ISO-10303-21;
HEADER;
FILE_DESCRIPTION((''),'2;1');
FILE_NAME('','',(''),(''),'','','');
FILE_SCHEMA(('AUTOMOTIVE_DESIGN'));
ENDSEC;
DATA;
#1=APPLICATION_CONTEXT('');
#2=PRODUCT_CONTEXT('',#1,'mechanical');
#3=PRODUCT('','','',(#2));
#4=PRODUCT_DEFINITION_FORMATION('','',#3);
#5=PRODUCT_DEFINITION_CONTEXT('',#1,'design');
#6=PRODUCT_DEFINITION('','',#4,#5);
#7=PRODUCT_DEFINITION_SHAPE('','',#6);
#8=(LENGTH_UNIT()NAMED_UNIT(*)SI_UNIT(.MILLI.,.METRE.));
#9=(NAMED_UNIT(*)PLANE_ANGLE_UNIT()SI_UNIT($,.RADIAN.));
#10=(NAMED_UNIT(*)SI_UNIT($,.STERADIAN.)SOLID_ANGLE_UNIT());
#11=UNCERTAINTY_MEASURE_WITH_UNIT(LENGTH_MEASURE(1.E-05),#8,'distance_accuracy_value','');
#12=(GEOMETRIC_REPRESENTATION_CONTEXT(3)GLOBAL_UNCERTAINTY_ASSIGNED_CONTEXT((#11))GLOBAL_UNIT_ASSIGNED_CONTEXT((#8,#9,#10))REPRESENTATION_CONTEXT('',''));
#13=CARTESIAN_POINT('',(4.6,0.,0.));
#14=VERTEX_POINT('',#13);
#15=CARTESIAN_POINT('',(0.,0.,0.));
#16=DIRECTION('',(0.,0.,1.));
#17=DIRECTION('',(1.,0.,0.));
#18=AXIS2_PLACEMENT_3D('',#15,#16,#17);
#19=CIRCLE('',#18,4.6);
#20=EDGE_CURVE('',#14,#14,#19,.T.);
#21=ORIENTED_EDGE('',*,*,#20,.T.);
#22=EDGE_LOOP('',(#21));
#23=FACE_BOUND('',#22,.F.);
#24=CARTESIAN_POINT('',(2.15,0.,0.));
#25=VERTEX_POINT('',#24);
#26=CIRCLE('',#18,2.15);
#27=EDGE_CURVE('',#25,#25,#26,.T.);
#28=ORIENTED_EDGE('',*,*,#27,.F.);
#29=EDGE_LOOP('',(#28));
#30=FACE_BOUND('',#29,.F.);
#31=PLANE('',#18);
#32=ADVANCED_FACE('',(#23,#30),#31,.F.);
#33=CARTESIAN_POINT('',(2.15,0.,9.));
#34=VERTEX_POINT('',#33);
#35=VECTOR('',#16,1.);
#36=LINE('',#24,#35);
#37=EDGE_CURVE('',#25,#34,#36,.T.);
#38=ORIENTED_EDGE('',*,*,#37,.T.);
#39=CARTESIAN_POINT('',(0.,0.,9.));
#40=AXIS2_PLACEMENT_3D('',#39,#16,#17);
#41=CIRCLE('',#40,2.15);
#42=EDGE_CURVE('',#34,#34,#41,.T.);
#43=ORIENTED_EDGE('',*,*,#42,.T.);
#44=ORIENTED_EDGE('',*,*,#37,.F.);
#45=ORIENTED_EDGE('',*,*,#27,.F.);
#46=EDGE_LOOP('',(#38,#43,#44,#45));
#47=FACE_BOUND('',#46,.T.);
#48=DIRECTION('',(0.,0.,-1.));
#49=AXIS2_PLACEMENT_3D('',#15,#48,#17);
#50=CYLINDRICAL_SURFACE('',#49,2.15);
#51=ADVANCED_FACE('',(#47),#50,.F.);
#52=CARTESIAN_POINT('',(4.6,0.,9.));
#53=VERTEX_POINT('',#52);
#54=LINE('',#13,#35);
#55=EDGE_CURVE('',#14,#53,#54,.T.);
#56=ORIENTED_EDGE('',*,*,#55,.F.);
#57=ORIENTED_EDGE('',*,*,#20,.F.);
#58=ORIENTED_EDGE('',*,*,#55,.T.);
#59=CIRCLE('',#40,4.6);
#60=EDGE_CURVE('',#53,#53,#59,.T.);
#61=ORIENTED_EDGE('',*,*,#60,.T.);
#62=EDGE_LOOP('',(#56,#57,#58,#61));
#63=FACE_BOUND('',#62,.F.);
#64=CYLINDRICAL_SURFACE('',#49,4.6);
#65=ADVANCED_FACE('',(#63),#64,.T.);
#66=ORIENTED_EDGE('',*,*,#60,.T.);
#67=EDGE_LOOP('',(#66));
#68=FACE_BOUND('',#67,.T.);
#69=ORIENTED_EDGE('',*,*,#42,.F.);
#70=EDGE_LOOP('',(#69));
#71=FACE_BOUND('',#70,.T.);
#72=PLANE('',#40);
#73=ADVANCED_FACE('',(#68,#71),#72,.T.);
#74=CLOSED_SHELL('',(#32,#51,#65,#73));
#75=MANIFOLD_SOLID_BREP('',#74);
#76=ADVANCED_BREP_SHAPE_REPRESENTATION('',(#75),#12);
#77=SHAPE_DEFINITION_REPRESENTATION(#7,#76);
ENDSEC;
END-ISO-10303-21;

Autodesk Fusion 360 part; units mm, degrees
sketch "Sketch1" plane through (0, 0, 0) normal (0, 0, 1) x (1, 0, 0)
  circle A0 centre (0, 0) radius 4.6
  circle A1 centre (0, 0) radius 2.15
  dimension "d1" = 9.2
  dimension "d2" = 4.3
extrude "Extrude1" add sketch "Sketch1" along normal blind 9
